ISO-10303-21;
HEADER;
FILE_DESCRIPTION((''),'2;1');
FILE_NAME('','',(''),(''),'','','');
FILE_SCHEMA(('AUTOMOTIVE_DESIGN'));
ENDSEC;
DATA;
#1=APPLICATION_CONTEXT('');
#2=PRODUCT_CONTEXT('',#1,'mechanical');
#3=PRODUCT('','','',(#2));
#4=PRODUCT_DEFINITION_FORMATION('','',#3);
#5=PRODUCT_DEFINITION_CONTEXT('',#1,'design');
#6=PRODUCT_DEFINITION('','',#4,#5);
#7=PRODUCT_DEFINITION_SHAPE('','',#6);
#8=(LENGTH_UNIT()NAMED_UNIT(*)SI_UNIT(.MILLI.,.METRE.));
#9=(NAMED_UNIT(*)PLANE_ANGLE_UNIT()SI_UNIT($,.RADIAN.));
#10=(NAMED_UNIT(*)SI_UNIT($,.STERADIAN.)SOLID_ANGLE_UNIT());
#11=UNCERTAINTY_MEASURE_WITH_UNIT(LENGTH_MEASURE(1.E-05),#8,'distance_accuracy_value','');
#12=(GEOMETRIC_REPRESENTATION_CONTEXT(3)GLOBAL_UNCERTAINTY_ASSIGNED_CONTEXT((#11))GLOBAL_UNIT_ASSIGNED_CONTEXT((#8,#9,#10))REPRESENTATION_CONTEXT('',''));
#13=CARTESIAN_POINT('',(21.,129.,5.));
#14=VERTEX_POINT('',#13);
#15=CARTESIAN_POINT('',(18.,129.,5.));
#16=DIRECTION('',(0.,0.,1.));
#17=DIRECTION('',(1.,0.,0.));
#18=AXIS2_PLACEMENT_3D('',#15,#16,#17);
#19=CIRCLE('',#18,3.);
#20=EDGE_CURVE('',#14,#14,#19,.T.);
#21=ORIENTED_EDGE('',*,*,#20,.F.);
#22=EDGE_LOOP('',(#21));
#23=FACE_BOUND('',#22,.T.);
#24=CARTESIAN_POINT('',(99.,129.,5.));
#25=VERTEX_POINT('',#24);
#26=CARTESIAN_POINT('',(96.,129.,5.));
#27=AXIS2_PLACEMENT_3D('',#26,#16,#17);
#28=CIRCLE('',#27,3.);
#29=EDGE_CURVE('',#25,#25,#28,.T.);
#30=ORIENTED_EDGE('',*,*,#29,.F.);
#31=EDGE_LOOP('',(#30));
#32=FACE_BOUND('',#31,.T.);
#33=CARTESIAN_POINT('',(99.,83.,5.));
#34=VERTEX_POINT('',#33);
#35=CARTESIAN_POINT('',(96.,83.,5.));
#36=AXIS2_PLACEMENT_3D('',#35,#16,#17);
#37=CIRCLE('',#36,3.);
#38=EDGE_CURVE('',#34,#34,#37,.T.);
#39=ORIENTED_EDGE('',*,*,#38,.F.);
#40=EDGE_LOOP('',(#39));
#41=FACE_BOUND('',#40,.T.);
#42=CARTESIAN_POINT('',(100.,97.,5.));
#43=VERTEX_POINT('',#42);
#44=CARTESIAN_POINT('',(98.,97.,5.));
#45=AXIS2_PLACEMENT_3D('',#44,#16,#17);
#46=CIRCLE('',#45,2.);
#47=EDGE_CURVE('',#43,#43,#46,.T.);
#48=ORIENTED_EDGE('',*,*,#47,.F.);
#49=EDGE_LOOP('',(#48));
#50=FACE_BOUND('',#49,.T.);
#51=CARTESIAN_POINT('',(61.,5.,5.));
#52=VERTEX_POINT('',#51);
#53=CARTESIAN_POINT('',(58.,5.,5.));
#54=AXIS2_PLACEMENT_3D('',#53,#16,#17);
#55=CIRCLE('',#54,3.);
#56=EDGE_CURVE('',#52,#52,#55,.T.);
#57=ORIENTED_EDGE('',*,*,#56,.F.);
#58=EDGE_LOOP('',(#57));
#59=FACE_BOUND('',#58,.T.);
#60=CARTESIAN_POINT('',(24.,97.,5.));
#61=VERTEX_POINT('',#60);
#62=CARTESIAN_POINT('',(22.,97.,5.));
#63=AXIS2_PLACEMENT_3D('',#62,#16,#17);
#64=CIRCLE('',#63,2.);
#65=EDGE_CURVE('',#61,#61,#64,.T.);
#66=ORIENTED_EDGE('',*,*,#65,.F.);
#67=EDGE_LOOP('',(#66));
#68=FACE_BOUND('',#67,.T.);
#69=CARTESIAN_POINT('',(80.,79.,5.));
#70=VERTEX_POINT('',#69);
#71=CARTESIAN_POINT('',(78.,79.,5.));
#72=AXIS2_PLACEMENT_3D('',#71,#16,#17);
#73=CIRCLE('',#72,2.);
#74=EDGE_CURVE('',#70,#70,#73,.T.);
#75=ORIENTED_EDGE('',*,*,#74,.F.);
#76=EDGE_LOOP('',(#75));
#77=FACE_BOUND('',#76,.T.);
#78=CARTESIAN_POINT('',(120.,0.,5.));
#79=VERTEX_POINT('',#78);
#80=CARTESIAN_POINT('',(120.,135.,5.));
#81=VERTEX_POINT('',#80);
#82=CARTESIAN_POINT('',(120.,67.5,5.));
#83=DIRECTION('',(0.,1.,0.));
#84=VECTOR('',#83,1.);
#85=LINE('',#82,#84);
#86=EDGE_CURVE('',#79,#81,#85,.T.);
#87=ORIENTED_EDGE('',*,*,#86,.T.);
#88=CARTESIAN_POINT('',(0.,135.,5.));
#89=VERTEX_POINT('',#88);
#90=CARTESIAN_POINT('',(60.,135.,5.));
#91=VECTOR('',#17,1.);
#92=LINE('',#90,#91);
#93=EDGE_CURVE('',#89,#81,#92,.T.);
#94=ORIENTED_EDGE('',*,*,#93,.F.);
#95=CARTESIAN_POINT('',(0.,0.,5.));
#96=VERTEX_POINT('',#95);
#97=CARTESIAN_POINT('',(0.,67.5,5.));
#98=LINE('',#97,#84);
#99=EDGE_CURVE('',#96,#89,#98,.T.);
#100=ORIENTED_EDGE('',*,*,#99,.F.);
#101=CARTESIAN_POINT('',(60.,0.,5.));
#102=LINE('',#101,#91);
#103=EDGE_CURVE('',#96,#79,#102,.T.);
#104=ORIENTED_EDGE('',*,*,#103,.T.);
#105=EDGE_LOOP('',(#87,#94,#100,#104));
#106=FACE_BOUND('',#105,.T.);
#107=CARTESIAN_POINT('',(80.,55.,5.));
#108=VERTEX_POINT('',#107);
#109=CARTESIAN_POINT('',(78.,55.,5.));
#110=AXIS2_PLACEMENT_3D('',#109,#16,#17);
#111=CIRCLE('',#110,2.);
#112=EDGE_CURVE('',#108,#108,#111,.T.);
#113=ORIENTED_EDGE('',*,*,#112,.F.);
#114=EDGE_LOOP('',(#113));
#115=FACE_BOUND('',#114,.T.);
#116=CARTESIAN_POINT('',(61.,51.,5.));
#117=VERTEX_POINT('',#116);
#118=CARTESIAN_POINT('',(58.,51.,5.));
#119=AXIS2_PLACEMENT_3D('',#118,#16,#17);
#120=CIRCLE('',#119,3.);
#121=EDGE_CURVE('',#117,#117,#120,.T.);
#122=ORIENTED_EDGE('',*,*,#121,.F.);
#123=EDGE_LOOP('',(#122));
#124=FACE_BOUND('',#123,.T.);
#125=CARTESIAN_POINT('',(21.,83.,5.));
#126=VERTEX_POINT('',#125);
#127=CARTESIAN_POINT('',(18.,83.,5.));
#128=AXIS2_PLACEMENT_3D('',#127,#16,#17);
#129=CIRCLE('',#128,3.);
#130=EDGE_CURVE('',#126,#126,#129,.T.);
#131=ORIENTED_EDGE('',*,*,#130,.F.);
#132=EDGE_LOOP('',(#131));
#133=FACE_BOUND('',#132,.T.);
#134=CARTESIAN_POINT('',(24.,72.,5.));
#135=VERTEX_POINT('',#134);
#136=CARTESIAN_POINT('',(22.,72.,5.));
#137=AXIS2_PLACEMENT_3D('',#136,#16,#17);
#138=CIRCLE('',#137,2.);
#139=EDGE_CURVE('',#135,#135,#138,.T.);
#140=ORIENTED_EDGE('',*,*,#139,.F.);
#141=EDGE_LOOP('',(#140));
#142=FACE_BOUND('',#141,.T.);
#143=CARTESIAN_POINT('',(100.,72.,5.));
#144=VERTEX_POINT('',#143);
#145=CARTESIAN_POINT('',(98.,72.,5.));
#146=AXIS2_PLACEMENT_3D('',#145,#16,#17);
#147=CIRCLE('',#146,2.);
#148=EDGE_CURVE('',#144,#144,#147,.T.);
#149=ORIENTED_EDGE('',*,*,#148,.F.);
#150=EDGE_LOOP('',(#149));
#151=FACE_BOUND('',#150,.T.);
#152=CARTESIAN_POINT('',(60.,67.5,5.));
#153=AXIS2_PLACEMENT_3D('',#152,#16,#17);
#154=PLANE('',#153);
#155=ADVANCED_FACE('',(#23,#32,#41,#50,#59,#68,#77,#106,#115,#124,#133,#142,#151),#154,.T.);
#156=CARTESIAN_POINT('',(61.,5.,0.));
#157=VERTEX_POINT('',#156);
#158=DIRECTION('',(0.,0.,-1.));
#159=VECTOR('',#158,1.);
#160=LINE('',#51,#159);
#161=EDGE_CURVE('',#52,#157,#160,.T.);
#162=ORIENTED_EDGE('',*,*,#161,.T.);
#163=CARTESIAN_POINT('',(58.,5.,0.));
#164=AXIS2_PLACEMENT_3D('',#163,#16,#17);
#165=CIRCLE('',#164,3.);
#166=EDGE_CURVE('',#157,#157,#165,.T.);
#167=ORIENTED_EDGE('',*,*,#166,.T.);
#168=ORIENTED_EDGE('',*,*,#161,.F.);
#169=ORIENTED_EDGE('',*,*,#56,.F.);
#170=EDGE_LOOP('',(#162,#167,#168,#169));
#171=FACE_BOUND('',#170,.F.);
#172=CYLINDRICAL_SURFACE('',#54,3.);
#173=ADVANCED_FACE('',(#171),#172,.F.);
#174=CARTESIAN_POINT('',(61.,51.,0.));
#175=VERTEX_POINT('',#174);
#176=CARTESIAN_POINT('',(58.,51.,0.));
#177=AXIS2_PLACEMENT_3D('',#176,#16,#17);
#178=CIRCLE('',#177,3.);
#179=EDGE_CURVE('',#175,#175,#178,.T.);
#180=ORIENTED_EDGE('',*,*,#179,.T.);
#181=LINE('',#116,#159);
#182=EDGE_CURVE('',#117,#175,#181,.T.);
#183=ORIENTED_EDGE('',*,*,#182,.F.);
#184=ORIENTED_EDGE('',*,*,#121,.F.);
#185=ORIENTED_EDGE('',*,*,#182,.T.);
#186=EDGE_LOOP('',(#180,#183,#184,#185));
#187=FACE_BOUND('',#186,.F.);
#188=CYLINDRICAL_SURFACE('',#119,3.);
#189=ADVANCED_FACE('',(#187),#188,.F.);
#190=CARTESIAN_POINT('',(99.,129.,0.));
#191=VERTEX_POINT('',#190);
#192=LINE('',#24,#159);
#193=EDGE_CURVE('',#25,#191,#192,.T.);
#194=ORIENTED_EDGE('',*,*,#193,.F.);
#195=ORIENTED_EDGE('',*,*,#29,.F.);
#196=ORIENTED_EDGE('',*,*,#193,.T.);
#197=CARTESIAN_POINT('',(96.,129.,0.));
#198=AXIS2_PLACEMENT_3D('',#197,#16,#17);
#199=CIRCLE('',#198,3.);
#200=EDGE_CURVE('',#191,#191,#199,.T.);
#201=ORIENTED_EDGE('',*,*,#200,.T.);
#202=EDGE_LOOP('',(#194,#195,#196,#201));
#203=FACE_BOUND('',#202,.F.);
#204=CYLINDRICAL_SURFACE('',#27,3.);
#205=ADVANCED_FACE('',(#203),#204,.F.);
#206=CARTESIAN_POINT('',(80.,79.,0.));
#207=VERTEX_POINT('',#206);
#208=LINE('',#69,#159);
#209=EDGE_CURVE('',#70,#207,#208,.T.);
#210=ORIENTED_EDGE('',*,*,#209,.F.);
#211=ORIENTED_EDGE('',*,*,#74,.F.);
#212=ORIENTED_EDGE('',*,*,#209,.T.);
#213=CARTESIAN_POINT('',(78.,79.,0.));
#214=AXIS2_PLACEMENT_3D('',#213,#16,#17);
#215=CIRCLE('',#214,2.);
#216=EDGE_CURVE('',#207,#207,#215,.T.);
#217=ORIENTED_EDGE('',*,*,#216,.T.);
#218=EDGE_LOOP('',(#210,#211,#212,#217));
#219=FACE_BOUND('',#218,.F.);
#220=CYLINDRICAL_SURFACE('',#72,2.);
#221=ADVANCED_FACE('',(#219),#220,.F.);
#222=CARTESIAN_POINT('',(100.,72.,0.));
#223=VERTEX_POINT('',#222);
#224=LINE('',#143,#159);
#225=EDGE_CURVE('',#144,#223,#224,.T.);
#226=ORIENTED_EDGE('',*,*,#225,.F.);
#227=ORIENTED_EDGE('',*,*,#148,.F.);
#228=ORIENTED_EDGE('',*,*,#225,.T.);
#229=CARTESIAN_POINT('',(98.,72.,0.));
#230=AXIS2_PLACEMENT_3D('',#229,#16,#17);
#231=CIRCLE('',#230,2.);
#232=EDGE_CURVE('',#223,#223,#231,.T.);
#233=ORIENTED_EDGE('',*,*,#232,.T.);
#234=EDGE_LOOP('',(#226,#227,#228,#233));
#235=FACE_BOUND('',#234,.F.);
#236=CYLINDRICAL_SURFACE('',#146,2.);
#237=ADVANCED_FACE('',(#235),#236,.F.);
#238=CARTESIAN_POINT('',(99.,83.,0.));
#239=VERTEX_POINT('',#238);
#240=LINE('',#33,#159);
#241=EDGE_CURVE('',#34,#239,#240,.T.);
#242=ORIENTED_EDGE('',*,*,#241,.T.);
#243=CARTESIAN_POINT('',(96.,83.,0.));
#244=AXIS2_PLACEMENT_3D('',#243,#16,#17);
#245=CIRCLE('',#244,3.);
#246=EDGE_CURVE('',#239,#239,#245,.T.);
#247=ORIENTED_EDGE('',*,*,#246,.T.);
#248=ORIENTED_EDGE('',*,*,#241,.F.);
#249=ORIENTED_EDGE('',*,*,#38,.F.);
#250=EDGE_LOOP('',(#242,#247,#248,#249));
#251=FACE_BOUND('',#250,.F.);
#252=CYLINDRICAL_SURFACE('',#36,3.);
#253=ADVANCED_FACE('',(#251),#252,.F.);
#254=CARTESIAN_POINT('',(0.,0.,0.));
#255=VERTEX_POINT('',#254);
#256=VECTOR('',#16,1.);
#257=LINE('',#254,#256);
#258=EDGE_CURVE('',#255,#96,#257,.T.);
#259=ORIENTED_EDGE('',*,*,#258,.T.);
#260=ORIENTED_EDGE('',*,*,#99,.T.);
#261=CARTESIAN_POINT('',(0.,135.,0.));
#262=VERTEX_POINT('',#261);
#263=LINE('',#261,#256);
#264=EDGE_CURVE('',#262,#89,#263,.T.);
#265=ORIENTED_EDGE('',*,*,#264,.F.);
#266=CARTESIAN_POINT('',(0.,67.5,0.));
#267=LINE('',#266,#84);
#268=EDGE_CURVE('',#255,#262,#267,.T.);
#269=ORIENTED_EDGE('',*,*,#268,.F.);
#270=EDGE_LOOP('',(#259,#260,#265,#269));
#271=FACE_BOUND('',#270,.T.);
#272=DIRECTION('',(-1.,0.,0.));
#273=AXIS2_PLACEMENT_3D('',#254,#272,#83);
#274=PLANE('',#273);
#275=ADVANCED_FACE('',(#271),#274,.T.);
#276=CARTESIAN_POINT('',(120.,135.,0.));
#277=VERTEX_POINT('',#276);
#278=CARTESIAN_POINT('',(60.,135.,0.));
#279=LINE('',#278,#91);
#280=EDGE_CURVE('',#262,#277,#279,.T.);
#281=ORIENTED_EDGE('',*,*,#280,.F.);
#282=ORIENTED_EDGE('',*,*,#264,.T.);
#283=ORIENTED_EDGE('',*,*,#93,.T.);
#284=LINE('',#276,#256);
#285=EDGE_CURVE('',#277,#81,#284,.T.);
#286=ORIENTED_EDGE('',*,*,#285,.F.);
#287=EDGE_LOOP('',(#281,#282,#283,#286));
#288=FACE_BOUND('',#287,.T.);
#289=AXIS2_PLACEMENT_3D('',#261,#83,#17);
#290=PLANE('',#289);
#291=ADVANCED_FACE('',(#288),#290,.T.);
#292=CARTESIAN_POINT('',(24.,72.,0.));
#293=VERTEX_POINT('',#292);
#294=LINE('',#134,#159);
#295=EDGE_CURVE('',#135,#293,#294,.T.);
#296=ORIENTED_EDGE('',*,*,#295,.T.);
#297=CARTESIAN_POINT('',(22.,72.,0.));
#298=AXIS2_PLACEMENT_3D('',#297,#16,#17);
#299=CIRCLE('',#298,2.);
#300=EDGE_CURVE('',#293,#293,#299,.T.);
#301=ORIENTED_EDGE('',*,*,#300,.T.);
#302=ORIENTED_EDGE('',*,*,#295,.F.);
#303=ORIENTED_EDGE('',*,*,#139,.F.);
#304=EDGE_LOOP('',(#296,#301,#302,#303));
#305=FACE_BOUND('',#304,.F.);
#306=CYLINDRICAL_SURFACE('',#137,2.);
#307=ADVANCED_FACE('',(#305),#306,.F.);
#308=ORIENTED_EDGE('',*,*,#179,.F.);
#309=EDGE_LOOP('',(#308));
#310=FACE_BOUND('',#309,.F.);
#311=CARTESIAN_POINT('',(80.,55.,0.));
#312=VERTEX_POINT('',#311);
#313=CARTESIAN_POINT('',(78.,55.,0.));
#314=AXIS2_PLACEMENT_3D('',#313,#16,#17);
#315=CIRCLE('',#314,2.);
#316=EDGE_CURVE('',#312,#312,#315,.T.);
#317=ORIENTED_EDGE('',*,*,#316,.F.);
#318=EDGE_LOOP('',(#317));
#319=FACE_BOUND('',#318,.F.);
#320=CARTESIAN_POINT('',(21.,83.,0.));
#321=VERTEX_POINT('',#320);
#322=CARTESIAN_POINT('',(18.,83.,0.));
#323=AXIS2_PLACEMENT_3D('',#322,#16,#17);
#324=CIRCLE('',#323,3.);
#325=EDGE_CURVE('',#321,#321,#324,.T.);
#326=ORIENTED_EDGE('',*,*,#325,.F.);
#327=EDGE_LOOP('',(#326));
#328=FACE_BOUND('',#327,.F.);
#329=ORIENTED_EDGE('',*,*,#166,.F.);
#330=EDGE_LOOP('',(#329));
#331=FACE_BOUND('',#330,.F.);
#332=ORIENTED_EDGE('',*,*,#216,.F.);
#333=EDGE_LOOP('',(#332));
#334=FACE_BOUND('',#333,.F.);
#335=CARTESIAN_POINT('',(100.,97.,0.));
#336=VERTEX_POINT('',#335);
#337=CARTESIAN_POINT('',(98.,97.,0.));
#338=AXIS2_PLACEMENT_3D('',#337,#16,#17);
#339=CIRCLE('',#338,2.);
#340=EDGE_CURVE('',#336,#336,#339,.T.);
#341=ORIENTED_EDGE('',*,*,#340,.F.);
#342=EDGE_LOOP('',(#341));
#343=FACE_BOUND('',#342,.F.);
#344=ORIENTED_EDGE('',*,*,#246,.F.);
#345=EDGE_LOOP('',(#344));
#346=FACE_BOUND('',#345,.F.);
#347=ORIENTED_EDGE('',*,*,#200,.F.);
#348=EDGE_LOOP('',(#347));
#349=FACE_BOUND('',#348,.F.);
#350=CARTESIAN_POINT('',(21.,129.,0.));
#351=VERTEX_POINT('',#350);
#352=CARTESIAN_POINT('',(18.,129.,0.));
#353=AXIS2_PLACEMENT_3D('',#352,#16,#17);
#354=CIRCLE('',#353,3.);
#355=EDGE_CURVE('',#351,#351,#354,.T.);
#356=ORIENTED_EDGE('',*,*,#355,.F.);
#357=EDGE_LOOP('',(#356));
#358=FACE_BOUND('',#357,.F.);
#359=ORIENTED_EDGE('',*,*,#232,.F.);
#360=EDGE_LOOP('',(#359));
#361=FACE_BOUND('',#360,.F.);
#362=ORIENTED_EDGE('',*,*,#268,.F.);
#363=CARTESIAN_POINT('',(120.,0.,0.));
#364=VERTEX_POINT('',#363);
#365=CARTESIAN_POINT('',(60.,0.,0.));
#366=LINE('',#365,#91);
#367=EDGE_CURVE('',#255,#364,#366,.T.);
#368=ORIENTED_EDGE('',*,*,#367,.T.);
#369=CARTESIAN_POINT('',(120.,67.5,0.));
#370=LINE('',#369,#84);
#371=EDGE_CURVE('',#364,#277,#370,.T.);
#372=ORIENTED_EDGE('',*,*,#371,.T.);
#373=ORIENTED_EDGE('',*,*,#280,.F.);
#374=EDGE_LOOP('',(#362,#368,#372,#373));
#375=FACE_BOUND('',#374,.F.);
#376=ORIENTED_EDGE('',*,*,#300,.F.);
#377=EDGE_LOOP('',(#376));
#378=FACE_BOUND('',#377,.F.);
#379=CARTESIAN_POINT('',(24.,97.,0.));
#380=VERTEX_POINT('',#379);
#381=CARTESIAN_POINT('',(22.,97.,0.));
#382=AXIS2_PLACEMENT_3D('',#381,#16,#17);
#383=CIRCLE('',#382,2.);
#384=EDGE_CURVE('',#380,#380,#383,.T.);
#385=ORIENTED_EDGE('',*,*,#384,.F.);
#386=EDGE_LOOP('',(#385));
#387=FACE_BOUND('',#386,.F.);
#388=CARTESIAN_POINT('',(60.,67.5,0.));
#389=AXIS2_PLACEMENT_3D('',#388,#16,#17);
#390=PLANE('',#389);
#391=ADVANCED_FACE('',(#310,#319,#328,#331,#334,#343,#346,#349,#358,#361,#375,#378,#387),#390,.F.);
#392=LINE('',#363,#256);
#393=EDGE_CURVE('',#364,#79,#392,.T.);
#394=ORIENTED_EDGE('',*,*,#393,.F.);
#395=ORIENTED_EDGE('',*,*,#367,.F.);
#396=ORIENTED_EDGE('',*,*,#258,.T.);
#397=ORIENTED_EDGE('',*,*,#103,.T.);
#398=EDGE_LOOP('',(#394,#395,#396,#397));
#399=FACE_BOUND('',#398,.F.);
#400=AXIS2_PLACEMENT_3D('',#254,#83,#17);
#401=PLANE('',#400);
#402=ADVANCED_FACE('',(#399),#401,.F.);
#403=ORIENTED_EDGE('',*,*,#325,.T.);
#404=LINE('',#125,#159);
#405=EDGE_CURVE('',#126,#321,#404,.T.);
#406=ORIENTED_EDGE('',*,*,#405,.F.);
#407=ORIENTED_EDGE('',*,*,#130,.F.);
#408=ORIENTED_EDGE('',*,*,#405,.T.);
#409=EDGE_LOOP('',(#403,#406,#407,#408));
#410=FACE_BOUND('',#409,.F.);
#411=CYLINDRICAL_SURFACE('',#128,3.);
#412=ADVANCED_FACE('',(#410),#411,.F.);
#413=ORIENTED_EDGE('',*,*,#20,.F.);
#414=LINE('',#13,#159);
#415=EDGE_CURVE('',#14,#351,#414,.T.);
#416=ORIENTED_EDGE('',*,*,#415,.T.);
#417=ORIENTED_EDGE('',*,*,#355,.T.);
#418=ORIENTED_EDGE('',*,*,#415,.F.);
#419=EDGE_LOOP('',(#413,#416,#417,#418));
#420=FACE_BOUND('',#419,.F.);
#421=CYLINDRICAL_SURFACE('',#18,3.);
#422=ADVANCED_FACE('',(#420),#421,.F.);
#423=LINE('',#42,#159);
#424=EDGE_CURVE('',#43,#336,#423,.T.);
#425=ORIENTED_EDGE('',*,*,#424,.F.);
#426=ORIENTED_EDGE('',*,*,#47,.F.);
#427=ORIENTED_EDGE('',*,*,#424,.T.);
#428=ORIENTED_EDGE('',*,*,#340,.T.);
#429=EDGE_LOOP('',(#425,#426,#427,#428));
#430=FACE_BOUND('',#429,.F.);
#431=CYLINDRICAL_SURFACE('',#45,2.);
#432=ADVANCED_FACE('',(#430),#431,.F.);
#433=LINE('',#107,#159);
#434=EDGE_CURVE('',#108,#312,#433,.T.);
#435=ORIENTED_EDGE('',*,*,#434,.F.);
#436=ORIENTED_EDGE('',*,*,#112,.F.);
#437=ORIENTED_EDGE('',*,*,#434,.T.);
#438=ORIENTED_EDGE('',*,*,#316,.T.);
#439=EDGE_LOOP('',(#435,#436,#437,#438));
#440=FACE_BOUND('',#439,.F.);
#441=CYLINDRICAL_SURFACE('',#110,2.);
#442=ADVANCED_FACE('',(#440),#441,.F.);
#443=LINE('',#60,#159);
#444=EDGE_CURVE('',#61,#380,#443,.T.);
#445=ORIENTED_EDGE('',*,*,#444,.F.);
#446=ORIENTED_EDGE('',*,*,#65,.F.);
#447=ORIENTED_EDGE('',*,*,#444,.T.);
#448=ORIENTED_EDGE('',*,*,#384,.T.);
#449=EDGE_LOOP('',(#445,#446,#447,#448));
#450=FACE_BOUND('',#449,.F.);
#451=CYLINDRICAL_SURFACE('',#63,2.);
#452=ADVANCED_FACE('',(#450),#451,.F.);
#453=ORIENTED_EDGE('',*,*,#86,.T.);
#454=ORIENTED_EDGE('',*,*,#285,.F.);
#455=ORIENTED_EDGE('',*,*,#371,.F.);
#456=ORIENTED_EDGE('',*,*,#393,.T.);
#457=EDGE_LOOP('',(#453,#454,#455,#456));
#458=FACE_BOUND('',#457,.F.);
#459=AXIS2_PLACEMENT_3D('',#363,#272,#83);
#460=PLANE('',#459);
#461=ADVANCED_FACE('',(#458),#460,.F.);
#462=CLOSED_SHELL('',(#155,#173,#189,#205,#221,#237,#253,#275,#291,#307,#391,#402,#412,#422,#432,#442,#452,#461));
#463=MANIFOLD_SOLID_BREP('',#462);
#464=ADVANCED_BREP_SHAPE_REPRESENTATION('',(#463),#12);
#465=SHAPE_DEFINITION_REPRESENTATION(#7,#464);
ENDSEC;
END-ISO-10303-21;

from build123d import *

# Parameters (mm, degrees)
BOX_W        = 120
BOX_H        = 135
BOX_DEPTH    = 5
SKETCH_R     = 2
SKETCH_R_2   = 3
POCKET_DEPTH = 5.001


with BuildPart() as part:
    # Box → Box (new body)
    with BuildSketch(Plane.XY):
        with Locations((60, 67.5)):
            Rectangle(BOX_W, BOX_H)
    extrude(amount=BOX_DEPTH)

    # Sketch → Pocket (cut, through all)
    with BuildSketch(Plane.XY.offset(5)):
        with Locations((98, 97)):
            Circle(SKETCH_R)
        with Locations((96, 129)):
            Circle(SKETCH_R_2)
        with Locations((98, 72)):
            Circle(SKETCH_R)
        with Locations((18, 129)):
            Circle(SKETCH_R_2)
        with Locations((96, 83)):
            Circle(SKETCH_R_2)
        with Locations((18, 83)):
            Circle(SKETCH_R_2)
        with Locations((58, 5)):
            Circle(SKETCH_R_2)
        with Locations((58, 51)):
            Circle(SKETCH_R_2)
        with Locations((22, 97)):
            Circle(SKETCH_R)
        with Locations((22, 72)):
            Circle(SKETCH_R)
        with Locations((78, 79)):
            Circle(SKETCH_R)
        with Locations((78, 55)):
            Circle(SKETCH_R)
    extrude(amount=-POCKET_DEPTH, mode=Mode.SUBTRACT)


solid = part.part
